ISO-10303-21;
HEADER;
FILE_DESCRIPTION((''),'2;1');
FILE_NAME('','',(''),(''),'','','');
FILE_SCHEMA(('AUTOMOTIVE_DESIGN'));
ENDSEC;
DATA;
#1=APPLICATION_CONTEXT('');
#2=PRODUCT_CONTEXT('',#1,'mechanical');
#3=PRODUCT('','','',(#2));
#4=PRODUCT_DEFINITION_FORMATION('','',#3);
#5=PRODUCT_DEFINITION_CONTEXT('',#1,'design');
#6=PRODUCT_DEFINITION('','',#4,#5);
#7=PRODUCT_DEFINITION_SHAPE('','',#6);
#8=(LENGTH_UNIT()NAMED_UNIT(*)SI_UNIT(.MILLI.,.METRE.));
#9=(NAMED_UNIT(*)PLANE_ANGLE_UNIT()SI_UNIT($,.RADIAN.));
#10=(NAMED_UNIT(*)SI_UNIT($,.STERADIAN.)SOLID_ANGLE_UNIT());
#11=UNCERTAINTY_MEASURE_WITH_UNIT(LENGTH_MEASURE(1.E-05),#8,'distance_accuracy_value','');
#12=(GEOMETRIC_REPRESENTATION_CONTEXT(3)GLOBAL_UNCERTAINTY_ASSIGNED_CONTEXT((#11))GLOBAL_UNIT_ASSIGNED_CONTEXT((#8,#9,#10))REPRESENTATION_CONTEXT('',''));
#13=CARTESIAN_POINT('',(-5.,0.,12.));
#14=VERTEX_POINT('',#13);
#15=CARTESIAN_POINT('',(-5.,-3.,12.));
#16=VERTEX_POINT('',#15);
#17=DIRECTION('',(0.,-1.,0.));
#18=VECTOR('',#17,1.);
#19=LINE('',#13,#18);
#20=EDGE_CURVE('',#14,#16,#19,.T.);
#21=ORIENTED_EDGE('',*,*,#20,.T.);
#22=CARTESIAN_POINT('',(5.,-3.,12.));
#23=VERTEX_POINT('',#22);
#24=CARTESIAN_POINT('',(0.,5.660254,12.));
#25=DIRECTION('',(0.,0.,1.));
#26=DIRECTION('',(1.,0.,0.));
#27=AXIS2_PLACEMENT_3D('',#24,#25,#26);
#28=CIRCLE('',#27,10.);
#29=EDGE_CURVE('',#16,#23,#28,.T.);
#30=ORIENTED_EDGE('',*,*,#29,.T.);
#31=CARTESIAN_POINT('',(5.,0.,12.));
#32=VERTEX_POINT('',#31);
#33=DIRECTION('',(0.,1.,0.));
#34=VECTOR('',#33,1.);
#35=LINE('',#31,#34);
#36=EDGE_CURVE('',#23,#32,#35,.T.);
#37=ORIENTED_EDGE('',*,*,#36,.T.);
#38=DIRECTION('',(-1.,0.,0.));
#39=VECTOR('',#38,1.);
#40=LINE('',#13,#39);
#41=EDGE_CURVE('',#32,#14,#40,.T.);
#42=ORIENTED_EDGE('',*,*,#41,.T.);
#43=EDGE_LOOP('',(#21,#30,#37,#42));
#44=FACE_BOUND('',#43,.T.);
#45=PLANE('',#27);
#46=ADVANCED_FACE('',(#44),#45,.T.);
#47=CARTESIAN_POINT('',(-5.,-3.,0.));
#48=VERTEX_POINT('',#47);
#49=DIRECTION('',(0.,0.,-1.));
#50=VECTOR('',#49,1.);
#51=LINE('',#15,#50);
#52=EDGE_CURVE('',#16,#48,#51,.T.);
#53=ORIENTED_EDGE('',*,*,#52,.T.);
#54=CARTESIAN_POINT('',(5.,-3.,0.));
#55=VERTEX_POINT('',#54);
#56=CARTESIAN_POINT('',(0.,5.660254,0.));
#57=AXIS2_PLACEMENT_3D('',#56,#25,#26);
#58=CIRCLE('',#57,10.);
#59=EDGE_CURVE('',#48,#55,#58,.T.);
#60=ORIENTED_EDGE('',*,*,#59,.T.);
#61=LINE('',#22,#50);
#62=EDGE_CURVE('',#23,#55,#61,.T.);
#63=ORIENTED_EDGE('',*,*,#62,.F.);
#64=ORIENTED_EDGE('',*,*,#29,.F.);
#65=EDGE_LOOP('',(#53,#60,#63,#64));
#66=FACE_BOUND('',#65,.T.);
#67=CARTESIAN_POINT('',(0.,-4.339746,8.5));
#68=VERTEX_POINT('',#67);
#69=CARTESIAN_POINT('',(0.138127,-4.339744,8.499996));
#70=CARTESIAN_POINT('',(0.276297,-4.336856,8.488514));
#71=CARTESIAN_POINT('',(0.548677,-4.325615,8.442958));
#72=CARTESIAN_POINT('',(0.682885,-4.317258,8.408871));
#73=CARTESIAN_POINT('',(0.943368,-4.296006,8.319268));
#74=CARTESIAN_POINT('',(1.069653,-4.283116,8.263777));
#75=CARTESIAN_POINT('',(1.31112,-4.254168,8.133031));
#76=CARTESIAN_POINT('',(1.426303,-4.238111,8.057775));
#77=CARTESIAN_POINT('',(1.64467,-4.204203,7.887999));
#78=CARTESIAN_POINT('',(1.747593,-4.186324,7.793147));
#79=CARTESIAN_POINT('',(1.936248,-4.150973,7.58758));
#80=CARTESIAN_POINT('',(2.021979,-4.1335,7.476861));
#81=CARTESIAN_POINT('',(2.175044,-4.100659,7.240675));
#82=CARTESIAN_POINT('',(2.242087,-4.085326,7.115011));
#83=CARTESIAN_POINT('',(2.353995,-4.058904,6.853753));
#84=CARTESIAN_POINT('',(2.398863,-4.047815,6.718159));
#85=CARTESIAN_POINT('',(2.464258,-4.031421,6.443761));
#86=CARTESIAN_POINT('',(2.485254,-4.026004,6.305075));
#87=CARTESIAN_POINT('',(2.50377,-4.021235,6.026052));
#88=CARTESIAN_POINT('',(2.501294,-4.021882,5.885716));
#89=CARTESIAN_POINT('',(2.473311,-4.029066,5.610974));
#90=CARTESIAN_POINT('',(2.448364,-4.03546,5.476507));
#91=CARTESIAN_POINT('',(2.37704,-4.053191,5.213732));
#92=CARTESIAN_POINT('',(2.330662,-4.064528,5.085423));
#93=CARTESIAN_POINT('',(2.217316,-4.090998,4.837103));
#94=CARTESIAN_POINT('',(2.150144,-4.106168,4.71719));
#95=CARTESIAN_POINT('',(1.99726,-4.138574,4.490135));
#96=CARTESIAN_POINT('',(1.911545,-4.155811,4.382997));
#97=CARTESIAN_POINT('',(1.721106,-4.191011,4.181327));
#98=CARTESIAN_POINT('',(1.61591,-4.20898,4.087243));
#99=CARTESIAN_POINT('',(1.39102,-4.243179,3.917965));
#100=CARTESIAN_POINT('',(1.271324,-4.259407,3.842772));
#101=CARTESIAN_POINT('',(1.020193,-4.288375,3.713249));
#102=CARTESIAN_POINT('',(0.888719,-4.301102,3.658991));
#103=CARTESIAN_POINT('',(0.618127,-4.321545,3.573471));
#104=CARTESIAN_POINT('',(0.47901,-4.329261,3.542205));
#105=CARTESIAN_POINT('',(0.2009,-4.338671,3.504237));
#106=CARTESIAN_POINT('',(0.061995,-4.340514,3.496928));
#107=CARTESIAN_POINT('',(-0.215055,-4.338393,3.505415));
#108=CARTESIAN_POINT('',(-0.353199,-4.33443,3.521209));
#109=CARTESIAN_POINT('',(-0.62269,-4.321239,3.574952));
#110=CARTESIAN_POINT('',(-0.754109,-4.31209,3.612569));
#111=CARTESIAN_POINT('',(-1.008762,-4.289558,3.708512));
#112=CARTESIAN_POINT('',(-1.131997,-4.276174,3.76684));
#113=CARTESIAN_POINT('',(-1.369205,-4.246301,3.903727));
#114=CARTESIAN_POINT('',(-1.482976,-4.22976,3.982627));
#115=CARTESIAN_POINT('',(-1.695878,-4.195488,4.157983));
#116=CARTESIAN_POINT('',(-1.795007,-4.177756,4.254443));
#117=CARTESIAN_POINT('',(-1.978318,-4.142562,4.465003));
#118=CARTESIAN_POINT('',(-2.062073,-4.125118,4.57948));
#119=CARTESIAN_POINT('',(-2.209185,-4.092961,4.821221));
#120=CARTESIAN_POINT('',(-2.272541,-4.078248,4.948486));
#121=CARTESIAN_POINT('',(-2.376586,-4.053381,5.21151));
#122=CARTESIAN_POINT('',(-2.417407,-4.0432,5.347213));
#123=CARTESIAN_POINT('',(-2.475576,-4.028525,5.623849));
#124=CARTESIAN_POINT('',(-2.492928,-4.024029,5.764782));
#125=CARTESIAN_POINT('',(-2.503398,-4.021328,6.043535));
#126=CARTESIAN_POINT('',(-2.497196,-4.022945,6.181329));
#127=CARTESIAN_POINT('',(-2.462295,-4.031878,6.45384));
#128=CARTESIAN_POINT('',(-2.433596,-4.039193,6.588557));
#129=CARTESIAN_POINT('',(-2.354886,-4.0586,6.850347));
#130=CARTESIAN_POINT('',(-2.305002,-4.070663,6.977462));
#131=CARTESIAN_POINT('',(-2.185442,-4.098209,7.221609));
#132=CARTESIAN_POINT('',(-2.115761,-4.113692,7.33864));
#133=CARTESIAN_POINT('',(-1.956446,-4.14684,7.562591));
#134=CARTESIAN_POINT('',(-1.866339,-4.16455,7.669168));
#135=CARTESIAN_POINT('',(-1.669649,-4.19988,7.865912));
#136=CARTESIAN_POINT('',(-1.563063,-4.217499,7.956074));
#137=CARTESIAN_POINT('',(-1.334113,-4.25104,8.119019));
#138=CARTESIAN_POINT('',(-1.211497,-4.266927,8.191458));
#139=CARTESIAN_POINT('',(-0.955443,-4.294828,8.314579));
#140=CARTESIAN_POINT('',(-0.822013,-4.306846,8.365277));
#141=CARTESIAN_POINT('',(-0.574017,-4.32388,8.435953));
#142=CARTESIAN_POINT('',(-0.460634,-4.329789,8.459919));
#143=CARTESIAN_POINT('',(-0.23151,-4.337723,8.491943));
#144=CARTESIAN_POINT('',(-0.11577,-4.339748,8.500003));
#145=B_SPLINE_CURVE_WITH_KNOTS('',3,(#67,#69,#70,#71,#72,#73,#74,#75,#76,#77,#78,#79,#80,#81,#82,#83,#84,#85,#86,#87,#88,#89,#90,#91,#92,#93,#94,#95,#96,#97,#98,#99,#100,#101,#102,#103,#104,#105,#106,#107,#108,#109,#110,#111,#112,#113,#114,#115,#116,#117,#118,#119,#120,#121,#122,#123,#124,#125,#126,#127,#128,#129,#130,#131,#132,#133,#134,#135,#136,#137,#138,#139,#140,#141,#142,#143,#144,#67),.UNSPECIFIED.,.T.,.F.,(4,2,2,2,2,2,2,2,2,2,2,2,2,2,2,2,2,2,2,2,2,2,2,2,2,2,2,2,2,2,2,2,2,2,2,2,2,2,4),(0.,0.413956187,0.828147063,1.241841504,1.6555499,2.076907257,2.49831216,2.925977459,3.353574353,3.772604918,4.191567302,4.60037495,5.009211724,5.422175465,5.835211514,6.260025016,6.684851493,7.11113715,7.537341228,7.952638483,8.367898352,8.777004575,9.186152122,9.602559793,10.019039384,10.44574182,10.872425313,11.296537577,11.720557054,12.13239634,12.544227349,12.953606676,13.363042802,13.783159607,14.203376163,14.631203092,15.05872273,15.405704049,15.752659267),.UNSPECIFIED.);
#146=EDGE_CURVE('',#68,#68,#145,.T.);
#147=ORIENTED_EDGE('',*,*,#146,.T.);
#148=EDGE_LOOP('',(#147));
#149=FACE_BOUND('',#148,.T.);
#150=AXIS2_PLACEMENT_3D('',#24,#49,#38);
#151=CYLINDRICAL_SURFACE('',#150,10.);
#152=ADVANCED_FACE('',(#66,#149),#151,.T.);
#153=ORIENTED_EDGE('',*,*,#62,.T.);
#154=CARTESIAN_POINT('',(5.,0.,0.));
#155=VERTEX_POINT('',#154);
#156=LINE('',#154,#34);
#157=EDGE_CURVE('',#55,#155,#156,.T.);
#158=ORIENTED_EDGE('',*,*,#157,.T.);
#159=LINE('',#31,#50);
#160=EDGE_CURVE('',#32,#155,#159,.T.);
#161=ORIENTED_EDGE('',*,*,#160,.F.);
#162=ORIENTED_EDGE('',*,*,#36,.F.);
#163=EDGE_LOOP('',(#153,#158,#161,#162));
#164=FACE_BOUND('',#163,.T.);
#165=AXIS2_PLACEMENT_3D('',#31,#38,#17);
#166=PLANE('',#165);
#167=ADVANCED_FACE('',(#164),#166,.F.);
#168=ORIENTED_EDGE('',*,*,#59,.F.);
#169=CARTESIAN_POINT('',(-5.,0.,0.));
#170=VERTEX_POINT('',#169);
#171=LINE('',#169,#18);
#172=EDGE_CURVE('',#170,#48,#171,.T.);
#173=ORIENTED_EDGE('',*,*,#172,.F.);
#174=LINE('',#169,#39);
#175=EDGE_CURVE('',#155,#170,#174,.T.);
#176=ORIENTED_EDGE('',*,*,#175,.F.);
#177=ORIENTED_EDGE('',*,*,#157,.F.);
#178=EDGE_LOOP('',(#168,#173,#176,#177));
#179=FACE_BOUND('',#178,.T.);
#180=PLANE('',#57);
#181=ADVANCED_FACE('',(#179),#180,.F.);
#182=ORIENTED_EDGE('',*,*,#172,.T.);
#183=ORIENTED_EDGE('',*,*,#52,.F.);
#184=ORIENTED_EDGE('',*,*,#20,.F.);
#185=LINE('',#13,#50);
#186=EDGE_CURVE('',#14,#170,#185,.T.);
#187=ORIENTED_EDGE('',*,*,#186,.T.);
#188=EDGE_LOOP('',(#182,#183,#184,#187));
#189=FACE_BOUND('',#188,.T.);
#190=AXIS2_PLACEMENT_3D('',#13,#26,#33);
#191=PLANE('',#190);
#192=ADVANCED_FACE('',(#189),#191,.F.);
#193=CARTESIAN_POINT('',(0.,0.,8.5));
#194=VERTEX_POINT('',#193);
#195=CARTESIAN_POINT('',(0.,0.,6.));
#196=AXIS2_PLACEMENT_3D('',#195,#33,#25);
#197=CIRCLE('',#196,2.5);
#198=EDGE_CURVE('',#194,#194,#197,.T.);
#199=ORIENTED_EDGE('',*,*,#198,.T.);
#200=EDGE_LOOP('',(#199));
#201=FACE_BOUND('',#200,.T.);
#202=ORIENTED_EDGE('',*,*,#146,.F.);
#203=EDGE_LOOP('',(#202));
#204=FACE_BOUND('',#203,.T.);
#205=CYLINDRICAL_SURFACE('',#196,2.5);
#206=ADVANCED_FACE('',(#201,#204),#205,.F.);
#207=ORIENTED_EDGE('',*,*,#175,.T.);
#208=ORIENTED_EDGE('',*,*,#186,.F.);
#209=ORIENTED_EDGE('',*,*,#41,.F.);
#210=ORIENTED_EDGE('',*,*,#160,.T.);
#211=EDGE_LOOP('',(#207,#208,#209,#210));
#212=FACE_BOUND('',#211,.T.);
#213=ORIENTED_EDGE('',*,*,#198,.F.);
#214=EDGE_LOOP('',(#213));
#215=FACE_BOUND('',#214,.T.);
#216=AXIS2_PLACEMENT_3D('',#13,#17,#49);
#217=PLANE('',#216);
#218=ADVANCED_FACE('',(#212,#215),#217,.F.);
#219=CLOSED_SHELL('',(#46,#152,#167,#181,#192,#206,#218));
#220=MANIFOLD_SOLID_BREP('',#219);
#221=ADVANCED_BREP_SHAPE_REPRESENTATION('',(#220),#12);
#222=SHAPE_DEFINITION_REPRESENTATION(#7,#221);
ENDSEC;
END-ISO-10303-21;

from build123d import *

# Parameters (mm, degrees)
EXTRUDE_1_DEPTH = 12
M6X1_0_1_D      = 5
M6X1_0_1_DEPTH  = 15
M6X1_0_1_TIP    = 1.502151548


with BuildPart() as part:
    # 草圖1 → 填料-伸長1 (new body)
    with BuildSketch(Plane.XY):
        with BuildLine():
            Line((-5, 0), (5, 0))
            Line((5, 0), (5, -3))
            ThreePointArc((5, -3), (0, -4.339745962), (-5, -3))
            Line((-5, -3), (-5, 0))
        make_face()
    extrude(amount=EXTRUDE_1_DEPTH)

    # M6x1.0 螺紋孔1
    with Locations(Plane(origin=(0, 0, 0), x_dir=(1, 0, 0), z_dir=(0, 1, 0))):
        with Locations((0, -6)):
            Hole(M6X1_0_1_D / 2, depth=M6X1_0_1_DEPTH)
            with Locations((0, 0, -(M6X1_0_1_DEPTH + M6X1_0_1_TIP / 2))):  # 118° drill point
                Cone(0, M6X1_0_1_D / 2, M6X1_0_1_TIP, mode=Mode.SUBTRACT)


solid = part.part
